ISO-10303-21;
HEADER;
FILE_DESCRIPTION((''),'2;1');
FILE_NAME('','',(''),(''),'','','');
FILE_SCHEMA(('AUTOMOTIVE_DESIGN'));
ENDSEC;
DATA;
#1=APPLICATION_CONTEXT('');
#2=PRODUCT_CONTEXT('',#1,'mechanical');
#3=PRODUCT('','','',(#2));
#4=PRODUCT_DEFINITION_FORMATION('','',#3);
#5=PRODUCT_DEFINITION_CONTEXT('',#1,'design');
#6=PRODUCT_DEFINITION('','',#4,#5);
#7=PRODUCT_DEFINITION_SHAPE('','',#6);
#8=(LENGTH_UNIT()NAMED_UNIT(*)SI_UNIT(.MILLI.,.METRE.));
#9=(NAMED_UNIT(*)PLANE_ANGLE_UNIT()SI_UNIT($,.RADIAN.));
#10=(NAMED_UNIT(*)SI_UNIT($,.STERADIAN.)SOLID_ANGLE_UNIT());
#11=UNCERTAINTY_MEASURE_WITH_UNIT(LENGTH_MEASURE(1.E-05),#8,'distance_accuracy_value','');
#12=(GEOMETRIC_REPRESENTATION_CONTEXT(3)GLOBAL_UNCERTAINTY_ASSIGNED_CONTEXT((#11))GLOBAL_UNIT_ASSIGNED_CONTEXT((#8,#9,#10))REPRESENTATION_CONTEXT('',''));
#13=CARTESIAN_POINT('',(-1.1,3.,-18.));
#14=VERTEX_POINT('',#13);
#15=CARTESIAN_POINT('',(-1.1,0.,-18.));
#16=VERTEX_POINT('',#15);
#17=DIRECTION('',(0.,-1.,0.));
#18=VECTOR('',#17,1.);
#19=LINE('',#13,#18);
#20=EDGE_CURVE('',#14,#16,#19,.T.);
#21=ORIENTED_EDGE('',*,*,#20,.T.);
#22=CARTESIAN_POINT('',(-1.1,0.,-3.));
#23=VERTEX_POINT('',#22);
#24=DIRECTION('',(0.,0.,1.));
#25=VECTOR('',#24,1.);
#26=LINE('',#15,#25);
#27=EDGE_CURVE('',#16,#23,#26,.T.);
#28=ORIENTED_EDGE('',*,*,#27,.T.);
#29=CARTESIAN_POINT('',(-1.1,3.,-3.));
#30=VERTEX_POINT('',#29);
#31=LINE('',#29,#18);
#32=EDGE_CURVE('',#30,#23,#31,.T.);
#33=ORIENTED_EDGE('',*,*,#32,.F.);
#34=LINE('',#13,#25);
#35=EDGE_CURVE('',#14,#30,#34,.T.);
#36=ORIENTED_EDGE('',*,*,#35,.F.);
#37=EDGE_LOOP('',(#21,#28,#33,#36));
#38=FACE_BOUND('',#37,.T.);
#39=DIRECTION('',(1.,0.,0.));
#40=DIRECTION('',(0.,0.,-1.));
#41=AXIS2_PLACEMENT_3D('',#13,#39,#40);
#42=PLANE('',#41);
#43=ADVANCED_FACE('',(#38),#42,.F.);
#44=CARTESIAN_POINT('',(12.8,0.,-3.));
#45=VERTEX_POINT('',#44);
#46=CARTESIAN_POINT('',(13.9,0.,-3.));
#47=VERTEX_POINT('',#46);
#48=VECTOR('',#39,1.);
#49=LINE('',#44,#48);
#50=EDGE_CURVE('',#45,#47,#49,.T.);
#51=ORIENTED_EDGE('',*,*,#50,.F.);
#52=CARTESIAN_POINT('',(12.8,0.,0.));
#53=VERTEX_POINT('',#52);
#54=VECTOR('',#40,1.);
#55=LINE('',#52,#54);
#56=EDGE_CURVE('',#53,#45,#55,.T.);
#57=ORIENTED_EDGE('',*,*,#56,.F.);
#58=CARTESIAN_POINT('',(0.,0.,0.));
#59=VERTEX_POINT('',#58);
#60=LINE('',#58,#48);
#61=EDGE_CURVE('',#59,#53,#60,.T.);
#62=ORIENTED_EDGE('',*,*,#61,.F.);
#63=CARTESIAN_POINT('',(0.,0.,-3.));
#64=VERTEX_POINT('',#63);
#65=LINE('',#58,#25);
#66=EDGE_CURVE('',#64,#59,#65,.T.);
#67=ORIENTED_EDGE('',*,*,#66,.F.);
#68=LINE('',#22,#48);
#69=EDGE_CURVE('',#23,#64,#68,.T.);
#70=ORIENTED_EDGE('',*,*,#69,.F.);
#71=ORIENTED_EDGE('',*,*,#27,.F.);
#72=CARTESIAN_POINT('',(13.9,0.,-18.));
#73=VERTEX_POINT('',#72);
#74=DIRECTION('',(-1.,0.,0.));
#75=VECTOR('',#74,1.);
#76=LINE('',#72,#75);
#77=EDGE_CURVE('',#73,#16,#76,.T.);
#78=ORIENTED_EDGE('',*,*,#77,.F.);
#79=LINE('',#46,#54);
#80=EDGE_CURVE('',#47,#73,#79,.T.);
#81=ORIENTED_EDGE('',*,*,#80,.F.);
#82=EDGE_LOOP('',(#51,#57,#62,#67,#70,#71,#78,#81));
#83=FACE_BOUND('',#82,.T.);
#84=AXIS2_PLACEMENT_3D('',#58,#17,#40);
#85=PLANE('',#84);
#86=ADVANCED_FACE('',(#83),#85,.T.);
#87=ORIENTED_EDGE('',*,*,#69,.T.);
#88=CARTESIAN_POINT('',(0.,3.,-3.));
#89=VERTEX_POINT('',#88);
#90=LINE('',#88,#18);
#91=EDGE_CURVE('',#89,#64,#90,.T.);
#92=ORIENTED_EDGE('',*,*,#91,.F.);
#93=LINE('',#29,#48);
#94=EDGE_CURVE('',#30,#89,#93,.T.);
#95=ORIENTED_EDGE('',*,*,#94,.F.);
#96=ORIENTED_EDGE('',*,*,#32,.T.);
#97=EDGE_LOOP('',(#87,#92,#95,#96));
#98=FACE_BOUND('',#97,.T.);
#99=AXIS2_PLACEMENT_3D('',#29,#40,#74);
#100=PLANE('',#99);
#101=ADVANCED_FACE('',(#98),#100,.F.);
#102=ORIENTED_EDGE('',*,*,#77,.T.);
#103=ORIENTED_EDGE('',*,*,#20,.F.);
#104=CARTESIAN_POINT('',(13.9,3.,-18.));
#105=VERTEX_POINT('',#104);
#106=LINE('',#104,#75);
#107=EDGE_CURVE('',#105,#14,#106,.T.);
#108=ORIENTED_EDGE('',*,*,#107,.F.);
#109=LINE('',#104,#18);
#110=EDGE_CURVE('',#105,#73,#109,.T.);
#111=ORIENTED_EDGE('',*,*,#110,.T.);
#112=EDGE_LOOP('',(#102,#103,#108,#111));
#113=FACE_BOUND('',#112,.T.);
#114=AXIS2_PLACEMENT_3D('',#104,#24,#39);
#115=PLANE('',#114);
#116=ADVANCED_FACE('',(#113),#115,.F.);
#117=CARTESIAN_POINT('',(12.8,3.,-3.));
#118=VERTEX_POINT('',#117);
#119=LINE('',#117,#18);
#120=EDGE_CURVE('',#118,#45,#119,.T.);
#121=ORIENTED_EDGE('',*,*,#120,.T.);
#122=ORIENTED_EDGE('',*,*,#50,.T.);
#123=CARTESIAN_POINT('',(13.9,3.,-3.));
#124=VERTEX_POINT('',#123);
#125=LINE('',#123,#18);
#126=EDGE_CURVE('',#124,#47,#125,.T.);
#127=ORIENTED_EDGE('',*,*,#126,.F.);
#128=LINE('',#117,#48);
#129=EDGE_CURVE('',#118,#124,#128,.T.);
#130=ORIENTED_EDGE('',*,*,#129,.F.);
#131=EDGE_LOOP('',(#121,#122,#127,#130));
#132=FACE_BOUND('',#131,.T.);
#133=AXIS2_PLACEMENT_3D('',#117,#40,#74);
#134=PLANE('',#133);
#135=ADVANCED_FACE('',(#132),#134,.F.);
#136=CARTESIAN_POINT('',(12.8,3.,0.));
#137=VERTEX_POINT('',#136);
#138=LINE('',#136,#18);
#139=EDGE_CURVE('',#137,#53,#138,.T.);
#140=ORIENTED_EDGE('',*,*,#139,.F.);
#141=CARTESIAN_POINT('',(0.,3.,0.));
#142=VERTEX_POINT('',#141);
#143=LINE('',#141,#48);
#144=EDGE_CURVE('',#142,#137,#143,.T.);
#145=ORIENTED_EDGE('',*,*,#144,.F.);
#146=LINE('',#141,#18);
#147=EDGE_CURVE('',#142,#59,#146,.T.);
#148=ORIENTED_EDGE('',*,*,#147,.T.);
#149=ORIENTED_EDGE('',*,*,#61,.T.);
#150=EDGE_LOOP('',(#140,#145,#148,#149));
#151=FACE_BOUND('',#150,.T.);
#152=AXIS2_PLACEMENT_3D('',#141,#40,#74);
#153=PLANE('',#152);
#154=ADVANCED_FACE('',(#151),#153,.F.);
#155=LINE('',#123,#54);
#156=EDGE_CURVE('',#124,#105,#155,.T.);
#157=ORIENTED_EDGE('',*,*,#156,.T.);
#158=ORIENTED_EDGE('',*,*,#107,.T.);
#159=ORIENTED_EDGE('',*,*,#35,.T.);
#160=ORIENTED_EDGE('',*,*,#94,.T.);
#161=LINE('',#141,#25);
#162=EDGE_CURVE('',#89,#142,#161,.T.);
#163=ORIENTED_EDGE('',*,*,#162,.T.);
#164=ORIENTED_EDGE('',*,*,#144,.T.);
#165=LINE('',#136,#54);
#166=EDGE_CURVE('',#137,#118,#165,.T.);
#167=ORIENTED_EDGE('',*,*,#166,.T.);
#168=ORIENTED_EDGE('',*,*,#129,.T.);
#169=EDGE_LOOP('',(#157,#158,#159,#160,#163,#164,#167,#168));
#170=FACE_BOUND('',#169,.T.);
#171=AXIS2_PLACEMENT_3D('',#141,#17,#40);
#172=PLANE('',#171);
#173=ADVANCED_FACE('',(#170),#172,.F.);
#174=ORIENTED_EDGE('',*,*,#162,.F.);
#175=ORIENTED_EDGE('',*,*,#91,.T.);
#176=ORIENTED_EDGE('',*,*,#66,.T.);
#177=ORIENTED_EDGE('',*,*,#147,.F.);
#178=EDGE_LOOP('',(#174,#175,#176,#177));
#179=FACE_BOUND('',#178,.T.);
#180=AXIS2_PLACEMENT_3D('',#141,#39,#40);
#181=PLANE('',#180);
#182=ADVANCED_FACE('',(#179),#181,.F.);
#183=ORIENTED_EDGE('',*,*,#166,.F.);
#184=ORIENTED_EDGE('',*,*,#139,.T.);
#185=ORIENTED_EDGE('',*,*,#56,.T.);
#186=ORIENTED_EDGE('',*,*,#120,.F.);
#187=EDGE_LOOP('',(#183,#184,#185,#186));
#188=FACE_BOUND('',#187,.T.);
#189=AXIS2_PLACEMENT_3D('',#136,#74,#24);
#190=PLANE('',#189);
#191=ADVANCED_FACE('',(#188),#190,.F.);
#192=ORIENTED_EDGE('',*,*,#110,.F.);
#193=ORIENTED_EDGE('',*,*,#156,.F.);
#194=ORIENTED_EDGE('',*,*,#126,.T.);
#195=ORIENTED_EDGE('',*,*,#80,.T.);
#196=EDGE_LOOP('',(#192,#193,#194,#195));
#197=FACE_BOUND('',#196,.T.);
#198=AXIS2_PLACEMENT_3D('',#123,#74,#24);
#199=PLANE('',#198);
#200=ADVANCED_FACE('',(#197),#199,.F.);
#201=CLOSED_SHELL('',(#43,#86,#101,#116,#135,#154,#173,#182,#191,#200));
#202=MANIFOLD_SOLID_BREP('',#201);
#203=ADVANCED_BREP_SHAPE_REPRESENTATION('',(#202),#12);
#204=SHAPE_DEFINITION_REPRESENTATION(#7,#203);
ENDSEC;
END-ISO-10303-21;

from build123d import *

# Parameters (mm, degrees)
BOSS_EXTRUDE1_DEPTH = 3


with BuildPart() as part:
    # Sketch1 → Boss-Extrude1 (new body)
    with BuildSketch(Plane(origin=(0, 0, 0), x_dir=(1, 0, 0), z_dir=(0, 1, 0))):
        Polygon((12.8, 3), (13.9, 3), (13.9, 18), (-1.1, 18), (-1.1, 3), (0, 3), (0, 0), (12.8, 0), align=None)
    extrude(amount=BOSS_EXTRUDE1_DEPTH)


solid = part.part
